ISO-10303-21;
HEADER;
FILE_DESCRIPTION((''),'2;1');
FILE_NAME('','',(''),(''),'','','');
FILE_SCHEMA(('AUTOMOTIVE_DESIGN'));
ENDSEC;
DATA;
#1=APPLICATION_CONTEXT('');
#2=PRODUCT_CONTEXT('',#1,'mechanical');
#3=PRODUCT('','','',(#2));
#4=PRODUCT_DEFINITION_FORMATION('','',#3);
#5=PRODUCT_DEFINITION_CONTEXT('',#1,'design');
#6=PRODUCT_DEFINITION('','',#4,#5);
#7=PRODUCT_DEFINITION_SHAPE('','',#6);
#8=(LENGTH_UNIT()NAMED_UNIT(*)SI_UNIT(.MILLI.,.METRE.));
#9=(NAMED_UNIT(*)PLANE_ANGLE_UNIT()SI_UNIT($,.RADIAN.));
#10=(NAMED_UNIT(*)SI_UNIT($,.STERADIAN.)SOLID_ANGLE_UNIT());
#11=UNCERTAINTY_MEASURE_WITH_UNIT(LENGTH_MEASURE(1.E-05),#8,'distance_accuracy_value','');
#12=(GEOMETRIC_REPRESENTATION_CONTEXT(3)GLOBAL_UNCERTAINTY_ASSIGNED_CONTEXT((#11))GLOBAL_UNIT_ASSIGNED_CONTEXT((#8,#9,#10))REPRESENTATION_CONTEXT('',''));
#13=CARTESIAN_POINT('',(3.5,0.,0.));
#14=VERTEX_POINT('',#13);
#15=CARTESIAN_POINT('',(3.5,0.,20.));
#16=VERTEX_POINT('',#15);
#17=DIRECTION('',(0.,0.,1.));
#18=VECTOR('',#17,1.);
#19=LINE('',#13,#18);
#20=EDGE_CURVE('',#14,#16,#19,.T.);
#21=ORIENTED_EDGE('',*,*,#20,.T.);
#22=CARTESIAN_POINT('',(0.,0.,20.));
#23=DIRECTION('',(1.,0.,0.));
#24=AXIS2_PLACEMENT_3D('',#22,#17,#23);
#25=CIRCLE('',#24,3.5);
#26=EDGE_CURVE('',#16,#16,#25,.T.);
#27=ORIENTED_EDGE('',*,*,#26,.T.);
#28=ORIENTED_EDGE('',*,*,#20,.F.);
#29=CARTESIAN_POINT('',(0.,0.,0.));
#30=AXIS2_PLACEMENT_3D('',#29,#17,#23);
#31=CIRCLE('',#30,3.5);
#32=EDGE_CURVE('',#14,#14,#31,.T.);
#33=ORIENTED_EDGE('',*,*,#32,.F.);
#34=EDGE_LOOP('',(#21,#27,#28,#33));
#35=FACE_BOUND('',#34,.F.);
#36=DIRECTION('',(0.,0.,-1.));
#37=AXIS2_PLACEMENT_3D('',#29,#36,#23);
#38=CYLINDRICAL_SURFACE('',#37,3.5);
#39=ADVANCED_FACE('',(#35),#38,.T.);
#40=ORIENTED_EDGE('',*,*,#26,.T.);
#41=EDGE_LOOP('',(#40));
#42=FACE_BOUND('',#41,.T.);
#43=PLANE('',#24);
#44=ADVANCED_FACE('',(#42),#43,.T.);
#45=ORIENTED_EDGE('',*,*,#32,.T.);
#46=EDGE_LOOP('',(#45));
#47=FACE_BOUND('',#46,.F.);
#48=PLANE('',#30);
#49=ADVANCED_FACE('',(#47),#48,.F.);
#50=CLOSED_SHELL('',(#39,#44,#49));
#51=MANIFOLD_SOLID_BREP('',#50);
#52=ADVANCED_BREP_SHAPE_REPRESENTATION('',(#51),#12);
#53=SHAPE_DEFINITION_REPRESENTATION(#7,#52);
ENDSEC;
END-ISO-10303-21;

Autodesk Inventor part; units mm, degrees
ref_plane "YZ Plane" through (0, 0, 0) normal (1, 0, 0) x (0, 1, 0)
ref_plane "XZ Plane" through (0, 0, 0) normal (0, 1, 0) x (-1, 0, 0)
ref_plane "XY Plane" through (0, 0, 0) normal (0, 0, 1) x (1, 0, 0)
sketch "Sketch1" plane through (0, 0, 0) normal (0, 0, 1) x (1, 0, 0)
  circle A0 centre (0, 0) radius 3.5
  dimension "d0" = 7
extrude "Extrusion1" add sketch "Sketch1" along normal blind 20
properties part number "Pin"
